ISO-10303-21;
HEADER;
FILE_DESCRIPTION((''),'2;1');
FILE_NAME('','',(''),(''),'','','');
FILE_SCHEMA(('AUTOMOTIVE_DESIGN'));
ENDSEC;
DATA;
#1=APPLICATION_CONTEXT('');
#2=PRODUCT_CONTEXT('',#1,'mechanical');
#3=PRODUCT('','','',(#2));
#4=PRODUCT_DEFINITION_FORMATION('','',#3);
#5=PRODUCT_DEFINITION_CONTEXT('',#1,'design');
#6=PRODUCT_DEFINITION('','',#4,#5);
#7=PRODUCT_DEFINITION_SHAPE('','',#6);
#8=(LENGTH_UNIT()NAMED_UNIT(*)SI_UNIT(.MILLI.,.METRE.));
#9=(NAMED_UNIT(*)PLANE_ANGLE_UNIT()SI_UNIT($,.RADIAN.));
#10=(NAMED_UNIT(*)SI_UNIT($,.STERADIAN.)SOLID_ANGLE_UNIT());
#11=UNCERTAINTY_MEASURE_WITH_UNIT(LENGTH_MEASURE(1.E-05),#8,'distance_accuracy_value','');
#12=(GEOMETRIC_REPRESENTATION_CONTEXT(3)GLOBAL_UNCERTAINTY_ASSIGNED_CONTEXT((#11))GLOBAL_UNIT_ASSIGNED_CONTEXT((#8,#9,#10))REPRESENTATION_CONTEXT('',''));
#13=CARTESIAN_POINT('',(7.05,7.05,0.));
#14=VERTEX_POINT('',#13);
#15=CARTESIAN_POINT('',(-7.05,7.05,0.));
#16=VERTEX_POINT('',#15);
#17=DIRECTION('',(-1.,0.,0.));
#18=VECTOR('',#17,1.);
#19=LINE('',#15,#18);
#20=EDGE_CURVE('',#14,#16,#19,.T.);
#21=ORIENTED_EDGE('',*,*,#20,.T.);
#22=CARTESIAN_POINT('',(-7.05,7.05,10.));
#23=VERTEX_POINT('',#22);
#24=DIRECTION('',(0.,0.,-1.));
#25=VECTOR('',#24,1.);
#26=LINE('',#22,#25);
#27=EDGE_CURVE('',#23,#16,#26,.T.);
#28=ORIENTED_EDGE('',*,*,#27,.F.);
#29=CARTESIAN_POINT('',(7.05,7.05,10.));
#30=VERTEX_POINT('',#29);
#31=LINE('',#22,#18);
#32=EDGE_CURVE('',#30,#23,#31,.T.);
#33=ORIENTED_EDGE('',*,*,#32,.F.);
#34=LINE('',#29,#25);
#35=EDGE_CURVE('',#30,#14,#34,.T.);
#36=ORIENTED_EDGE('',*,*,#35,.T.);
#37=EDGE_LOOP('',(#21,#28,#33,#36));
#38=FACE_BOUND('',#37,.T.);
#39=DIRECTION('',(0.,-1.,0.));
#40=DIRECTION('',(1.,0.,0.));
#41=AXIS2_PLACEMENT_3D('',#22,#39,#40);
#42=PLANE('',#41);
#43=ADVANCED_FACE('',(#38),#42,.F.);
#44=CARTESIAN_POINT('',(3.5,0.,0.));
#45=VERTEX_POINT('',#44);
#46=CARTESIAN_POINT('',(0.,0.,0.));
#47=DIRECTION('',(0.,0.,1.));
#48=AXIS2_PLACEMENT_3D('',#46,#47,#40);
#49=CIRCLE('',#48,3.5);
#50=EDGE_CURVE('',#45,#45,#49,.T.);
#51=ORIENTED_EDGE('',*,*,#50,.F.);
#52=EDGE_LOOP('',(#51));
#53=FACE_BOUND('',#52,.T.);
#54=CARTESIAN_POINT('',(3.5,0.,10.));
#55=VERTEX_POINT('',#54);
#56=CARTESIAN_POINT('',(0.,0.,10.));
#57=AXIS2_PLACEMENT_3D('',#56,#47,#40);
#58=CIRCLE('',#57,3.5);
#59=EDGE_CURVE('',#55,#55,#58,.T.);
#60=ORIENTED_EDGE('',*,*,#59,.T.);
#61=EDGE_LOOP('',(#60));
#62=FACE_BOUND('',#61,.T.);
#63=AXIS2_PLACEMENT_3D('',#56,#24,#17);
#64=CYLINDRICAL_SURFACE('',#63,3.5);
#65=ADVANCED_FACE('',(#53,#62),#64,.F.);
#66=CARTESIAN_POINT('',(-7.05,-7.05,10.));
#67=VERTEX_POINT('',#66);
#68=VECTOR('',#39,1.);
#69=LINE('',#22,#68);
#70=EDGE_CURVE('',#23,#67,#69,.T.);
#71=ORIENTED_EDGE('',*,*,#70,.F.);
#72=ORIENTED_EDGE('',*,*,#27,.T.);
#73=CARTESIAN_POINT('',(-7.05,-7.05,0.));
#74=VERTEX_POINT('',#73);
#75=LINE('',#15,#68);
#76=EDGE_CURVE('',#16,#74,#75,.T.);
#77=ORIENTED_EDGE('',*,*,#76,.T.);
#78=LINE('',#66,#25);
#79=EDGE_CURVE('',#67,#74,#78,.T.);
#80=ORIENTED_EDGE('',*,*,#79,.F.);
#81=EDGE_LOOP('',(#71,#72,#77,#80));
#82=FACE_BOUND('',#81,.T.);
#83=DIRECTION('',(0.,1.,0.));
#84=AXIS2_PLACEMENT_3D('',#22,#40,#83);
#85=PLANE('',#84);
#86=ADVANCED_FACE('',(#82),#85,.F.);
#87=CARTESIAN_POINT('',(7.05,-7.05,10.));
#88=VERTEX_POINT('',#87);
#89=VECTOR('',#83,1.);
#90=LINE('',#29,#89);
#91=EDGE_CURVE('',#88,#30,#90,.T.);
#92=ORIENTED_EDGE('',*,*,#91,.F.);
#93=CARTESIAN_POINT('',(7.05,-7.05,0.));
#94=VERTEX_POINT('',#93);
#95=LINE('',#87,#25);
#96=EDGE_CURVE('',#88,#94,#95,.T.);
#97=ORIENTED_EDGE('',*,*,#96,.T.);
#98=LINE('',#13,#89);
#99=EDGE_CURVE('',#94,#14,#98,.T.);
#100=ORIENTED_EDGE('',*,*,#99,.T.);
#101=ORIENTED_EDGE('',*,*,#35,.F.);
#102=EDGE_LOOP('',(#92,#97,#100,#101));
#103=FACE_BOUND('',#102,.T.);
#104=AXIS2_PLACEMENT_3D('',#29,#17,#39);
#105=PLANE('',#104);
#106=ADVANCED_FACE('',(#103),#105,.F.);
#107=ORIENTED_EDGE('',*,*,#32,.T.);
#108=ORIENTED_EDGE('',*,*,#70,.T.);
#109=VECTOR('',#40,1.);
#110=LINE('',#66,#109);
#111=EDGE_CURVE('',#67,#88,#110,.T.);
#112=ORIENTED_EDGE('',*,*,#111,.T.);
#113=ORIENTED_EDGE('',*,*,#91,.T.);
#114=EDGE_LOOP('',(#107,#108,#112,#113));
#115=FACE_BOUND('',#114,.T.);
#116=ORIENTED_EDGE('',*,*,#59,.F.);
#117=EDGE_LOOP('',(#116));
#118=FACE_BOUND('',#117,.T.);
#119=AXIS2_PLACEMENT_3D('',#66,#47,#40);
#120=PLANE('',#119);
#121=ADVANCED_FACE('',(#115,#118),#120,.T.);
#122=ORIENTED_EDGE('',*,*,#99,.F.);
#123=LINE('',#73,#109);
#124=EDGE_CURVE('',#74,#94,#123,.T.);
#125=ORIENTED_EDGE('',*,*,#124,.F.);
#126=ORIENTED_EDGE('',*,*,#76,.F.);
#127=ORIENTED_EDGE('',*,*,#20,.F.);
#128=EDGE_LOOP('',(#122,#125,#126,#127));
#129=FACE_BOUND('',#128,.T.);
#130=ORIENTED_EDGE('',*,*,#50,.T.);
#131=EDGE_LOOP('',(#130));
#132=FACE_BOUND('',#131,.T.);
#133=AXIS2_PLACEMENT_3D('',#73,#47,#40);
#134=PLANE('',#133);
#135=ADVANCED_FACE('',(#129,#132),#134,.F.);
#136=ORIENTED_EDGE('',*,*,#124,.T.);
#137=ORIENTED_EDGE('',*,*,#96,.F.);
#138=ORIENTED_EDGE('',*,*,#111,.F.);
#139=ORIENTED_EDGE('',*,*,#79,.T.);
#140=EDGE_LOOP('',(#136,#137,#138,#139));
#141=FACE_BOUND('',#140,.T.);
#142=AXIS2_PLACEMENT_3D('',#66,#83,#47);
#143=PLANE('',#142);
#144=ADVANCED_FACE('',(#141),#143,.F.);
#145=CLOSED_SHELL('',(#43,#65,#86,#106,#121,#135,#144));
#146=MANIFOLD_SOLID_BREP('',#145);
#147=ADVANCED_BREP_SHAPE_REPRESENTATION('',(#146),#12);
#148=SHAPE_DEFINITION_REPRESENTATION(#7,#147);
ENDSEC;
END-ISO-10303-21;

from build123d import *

# Parameters (mm, degrees)
ESQUISSE1_W      = 14.1
ESQUISSE1_H      = 14.1
ESQUISSE1_R      = 3.5
EXTRUSION1_DEPTH = 10


with BuildPart() as part:
    # Esquisse1 → Extrusion1 (new body)
    with BuildSketch(Plane.XY):
        Rectangle(ESQUISSE1_W, ESQUISSE1_H)
        Circle(ESQUISSE1_R, mode=Mode.SUBTRACT)
    extrude(amount=EXTRUSION1_DEPTH)


solid = part.part
